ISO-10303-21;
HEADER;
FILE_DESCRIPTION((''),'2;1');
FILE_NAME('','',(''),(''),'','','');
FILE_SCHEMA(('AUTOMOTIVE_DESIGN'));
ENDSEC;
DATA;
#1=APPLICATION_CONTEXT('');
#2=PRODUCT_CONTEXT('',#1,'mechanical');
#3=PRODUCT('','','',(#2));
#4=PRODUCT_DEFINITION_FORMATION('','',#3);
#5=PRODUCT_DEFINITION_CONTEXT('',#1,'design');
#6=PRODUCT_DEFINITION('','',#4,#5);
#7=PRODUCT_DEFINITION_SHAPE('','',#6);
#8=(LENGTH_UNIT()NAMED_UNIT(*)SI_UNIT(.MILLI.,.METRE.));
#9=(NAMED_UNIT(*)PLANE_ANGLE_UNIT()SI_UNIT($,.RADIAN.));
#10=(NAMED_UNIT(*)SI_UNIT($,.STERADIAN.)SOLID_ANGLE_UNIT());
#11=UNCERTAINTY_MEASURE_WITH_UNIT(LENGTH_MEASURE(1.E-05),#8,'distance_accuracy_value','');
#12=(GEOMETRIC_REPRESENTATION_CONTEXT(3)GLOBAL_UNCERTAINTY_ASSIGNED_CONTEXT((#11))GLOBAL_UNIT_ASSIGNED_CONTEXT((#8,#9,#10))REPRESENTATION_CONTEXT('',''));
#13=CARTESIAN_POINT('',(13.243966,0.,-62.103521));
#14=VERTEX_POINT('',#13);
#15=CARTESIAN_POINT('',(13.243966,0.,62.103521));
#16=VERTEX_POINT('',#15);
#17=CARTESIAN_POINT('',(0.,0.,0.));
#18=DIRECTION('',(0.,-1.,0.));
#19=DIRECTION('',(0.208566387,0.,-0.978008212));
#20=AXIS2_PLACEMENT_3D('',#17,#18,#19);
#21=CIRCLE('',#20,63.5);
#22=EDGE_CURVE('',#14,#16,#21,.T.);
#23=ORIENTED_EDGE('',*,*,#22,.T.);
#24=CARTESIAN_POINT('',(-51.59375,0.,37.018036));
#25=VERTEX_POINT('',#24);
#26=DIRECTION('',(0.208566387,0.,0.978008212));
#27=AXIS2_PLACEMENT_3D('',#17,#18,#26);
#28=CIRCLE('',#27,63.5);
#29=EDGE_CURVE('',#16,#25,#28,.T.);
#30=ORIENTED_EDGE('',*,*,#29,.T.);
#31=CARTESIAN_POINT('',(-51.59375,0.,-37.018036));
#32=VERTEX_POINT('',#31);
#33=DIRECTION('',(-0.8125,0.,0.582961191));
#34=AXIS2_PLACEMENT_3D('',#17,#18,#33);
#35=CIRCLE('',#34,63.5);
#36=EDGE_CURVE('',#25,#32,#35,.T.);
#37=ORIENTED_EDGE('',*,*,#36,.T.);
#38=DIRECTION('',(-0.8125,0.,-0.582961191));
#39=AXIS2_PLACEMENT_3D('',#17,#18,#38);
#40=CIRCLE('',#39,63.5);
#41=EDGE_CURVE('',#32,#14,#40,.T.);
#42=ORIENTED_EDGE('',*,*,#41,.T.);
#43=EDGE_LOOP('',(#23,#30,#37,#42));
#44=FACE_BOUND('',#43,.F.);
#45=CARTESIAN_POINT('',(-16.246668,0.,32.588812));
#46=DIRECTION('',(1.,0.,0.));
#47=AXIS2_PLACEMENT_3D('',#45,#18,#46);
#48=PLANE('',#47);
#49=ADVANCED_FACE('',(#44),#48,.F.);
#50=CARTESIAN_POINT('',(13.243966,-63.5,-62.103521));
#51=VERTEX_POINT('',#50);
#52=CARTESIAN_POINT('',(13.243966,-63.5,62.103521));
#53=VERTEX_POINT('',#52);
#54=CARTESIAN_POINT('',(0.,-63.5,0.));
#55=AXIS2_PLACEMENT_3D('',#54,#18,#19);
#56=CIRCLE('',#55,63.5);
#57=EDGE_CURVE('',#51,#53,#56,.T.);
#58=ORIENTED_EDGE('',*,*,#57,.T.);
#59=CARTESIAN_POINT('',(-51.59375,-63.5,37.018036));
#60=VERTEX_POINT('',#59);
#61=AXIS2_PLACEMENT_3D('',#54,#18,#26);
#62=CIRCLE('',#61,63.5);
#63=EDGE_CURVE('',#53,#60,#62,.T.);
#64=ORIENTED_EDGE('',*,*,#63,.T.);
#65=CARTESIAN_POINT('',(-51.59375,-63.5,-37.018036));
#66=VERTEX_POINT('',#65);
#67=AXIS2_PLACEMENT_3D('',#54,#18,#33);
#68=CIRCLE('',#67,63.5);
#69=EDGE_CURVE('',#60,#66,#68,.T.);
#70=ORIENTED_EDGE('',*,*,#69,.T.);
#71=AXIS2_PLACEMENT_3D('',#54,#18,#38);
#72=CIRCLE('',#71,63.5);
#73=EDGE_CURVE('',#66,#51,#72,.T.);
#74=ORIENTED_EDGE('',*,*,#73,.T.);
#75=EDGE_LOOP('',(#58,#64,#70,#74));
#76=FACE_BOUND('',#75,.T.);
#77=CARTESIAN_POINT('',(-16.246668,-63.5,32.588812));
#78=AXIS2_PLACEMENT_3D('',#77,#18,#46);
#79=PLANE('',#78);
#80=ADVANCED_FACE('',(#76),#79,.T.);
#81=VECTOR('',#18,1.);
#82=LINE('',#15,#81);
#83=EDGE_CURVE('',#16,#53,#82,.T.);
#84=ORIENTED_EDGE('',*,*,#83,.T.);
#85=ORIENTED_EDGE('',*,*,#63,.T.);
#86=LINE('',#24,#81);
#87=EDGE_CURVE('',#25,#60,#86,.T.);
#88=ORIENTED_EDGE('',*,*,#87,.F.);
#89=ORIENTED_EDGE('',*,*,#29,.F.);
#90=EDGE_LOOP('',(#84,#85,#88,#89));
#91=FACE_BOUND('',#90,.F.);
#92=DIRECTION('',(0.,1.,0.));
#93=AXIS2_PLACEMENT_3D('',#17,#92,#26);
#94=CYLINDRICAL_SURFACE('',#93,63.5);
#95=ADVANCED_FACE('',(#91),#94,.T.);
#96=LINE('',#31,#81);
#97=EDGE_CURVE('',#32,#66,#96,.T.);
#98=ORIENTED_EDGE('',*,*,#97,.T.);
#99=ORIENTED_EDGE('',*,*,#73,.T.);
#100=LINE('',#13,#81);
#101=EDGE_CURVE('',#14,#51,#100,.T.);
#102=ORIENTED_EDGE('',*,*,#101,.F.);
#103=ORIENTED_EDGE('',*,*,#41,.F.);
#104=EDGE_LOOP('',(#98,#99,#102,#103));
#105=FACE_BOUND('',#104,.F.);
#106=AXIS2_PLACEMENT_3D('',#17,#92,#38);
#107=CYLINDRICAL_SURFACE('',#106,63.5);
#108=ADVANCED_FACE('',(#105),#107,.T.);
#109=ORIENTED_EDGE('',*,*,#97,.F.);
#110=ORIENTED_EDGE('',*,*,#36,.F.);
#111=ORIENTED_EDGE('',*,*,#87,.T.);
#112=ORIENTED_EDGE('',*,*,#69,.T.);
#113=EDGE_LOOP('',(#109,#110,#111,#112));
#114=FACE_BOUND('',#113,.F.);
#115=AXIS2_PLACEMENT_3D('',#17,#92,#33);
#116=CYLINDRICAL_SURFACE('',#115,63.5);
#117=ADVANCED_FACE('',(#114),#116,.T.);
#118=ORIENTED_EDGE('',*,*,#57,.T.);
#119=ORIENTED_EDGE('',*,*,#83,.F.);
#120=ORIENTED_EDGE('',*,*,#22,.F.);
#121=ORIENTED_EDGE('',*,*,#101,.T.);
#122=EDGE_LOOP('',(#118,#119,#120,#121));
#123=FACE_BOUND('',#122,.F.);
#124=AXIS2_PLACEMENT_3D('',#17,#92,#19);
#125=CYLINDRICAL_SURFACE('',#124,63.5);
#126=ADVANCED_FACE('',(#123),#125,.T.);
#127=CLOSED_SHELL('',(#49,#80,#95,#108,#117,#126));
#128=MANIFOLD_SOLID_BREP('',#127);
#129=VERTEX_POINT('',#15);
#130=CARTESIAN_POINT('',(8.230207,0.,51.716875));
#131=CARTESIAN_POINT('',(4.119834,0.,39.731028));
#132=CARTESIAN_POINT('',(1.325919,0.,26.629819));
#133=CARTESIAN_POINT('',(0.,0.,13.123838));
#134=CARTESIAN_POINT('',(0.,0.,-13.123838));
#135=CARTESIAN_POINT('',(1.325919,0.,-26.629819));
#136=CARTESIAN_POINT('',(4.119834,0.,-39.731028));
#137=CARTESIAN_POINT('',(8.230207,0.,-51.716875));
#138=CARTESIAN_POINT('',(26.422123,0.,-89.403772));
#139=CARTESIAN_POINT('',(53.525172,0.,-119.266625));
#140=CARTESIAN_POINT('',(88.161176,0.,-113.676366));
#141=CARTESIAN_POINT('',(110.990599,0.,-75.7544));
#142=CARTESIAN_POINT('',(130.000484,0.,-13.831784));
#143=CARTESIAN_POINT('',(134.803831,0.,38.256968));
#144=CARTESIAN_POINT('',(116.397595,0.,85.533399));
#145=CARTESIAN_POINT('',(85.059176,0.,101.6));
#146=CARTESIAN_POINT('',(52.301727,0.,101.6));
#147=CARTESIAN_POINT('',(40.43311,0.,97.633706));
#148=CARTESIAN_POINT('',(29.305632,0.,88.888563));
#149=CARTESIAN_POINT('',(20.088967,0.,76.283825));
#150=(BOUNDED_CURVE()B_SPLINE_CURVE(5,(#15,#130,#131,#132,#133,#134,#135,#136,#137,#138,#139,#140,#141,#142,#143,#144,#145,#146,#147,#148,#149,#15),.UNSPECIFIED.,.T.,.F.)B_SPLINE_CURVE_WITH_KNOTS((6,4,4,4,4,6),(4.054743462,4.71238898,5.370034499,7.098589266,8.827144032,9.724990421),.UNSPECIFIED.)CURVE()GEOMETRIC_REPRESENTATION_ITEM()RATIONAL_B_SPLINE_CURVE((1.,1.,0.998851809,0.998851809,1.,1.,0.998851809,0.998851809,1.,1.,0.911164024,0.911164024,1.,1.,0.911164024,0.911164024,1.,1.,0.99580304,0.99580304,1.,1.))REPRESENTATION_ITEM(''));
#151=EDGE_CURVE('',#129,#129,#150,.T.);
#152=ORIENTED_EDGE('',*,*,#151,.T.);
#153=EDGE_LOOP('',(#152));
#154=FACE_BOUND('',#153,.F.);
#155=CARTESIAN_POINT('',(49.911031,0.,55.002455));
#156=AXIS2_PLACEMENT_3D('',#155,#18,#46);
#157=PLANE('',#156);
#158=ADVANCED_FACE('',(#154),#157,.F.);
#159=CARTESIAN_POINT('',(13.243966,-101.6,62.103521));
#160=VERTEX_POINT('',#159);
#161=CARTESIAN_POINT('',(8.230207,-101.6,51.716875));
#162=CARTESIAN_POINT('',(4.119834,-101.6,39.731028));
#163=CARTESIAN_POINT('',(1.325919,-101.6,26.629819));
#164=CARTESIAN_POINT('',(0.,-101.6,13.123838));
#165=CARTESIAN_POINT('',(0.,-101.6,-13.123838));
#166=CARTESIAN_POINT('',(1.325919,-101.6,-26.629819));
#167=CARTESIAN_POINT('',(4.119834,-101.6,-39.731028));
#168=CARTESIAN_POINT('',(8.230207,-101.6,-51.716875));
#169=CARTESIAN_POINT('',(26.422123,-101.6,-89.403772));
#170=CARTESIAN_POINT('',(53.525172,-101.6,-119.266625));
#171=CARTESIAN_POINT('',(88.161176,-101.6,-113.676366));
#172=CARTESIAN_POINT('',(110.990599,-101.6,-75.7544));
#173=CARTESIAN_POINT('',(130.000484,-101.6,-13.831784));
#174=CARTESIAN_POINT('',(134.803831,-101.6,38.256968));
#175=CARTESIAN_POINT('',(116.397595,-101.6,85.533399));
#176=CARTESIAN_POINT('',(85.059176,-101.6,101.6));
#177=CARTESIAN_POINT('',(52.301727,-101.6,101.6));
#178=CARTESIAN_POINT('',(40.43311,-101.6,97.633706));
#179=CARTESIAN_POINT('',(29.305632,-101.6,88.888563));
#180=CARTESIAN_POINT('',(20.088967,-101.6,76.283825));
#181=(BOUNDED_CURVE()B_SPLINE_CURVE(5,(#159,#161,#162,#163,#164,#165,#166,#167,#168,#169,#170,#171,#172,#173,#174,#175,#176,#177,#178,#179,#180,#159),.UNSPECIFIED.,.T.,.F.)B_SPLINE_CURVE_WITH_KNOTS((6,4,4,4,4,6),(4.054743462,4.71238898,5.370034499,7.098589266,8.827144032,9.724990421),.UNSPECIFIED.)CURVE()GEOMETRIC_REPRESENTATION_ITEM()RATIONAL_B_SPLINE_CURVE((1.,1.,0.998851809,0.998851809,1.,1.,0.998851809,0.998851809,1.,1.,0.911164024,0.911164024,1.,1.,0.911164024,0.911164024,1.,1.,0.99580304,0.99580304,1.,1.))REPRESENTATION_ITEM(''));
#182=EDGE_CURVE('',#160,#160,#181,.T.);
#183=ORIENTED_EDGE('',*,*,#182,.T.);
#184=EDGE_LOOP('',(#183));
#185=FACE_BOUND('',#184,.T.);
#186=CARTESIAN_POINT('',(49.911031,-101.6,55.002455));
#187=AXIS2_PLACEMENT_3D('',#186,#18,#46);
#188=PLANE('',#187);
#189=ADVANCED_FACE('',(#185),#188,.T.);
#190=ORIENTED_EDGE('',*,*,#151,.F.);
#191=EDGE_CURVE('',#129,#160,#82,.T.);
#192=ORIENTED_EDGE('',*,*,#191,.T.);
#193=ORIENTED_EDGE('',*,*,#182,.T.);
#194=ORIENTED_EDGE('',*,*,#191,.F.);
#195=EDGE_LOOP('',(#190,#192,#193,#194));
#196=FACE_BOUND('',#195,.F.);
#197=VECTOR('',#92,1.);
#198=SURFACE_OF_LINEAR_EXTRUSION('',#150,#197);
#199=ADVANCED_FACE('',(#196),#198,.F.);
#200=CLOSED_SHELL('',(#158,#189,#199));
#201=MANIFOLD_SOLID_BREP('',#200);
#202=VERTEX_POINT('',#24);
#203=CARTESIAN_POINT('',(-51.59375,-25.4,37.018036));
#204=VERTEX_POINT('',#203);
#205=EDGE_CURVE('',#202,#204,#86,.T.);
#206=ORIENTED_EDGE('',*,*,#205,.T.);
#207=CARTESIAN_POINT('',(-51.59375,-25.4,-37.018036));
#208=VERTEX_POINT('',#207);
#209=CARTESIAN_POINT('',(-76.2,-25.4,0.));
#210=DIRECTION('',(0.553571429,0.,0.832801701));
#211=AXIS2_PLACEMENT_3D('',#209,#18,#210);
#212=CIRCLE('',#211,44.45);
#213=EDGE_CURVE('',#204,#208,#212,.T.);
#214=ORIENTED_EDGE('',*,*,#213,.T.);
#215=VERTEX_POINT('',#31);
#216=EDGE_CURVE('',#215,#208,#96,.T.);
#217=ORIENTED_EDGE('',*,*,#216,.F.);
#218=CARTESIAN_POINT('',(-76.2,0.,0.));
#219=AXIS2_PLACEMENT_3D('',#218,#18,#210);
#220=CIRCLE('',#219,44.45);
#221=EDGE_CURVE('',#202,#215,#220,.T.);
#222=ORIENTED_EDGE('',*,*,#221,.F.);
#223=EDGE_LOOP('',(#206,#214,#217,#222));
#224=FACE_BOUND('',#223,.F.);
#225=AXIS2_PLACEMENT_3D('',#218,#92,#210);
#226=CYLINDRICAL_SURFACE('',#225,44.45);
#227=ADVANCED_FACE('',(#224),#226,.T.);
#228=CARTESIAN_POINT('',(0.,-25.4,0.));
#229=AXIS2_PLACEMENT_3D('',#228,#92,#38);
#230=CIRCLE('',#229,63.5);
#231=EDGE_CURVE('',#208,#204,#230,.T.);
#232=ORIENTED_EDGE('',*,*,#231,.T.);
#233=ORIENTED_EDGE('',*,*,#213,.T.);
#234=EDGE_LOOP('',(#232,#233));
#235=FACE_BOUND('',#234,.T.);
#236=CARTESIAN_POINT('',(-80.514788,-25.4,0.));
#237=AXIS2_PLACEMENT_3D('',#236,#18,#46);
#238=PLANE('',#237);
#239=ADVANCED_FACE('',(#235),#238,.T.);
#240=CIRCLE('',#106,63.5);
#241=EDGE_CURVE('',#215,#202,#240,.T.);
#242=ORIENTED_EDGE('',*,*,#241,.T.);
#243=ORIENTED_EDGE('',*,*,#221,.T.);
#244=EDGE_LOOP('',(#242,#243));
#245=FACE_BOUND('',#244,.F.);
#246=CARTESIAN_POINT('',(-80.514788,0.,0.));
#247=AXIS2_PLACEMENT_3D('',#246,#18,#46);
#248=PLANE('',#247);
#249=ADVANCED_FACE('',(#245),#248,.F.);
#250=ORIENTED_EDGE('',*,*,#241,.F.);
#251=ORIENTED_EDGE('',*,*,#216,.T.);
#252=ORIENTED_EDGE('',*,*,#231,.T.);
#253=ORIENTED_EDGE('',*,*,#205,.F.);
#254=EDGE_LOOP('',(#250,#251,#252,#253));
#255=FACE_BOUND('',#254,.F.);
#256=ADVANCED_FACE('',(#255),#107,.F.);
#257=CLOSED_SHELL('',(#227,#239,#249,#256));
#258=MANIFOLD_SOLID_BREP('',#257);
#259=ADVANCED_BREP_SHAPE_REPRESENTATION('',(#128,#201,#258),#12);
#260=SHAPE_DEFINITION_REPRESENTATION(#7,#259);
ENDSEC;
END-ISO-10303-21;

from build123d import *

# Parameters (mm, degrees)
F1_DEPTH = 25.4
F2_DEPTH = 63.5
F3_DEPTH = 101.6


with BuildPart() as f1:
    # F0 (on Front) → F1 (new body)
    with BuildSketch(Plane.XZ):
        with BuildLine():
            ThreePointArc((-51.59375, -37.0180356169), (-60.4501990278, -19.4428248333), (-63.5, 0))
            ThreePointArc((-63.5, 0), (-60.4501990278, 19.4428248333), (-51.59375, 37.0180356169))
            ThreePointArc((-51.59375, 37.0180356169), (-120.65, 0), (-51.59375, -37.0180356169))
        make_face()
    extrude(amount=F1_DEPTH)


with BuildPart() as f2:
    # F0 (on Front) → F2 (new body)
    with BuildSketch(Plane.XZ):
        with BuildLine():
            Line((-31.75, 0), (0, 0))
            add(Edge.make_bspline(
                [(13.2439655959, 62.1035214404), (0, 34.6669399309), (0, 0)],
                knots=[4.0547434617, 4.0547434617, 4.0547434617, 4.7123889804, 4.7123889804, 4.7123889804], degree=2, weights=[1, 0.9464231645, 1]))
            ThreePointArc((13.2439655959, 62.1035214404), (-22.9128106244, 59.2220660674), (-51.59375, 37.0180356169))
            ThreePointArc((-51.59375, 37.0180356169), (-37.0237934934, 21.0006510316), (-31.75, 0))
        make_face()
        with BuildLine():
            Line((-63.5, 0), (-31.75, 0))
            ThreePointArc((-31.75, 0), (-37.0237934934, 21.0006510316), (-51.59375, 37.0180356169))
            ThreePointArc((-51.59375, 37.0180356169), (-60.4501990278, 19.4428248333), (-63.5, 0))
        make_face()
        with BuildLine():
            add(Edge.make_bspline(
                [(0, 0), (0, -34.6669399309), (13.2439655959, -62.1035214404)],
                knots=[4.7123889804, 4.7123889804, 4.7123889804, 5.370034499, 5.370034499, 5.370034499], degree=2, weights=[1, 0.9464231645, 1]))
            Line((0, 0), (-31.75, 0))
            ThreePointArc((-31.75, 0), (-37.0237934934, -21.0006510316), (-51.59375, -37.0180356169))
            ThreePointArc((-51.59375, -37.0180356169), (-22.9128106244, -59.2220660674), (13.2439655959, -62.1035214404))
        make_face()
        with BuildLine():
            add(Edge.make_bspline(
                [(13.2439655959, 62.1035214404), (0, 34.6669399309), (0, 0)],
                knots=[4.0547434617, 4.0547434617, 4.0547434617, 4.7123889804, 4.7123889804, 4.7123889804], degree=2, weights=[1, 0.9464231645, 1]))
            add(Edge.make_bspline(
                [(0, 0), (0, -34.6669399309), (13.2439655959, -62.1035214404)],
                knots=[4.7123889804, 4.7123889804, 4.7123889804, 5.370034499, 5.370034499, 5.370034499], degree=2, weights=[1, 0.9464231645, 1]))
            ThreePointArc((13.2439655959, -62.1035214404), (49.3621404284, -39.9453262889), (63.5, 0))
            ThreePointArc((63.5, 0), (49.3621404284, 39.9453262889), (13.2439655959, 62.1035214404))
        make_face()
        with BuildLine():
            ThreePointArc((-51.59375, -37.0180356169), (-37.0237934934, -21.0006510316), (-31.75, 0))
            Line((-31.75, 0), (-63.5, 0))
            ThreePointArc((-63.5, 0), (-60.4501990278, -19.4428248333), (-51.59375, -37.0180356169))
        make_face()
    extrude(amount=F2_DEPTH)


with BuildPart() as f3:
    # F0 (on Front) → F3 (new body)
    with BuildSketch(Plane.XZ):
        with BuildLine():
            add(Edge.make_bspline(
                [(63.5, 101.6), (32.3093875408, 101.6), (13.2439655959, 62.1035214404)],
                knots=[3.1415926536, 3.1415926536, 3.1415926536, 4.0547434617, 4.0547434617, 4.0547434617], degree=2, weights=[1, 0.8975675831, 1]))
            ThreePointArc((13.2439655959, 62.1035214404), (49.3621404284, 39.9453262889), (63.5, 0))
            Line((63.5, 0), (63.5, 101.6))
        make_face()
        with BuildLine():
            add(Edge.make_bspline(
                [(13.2439655959, 62.1035214404), (0, 34.6669399309), (0, 0)],
                knots=[4.0547434617, 4.0547434617, 4.0547434617, 4.7123889804, 4.7123889804, 4.7123889804], degree=2, weights=[1, 0.9464231645, 1]))
            add(Edge.make_bspline(
                [(0, 0), (0, -34.6669399309), (13.2439655959, -62.1035214404)],
                knots=[4.7123889804, 4.7123889804, 4.7123889804, 5.370034499, 5.370034499, 5.370034499], degree=2, weights=[1, 0.9464231645, 1]))
            ThreePointArc((13.2439655959, -62.1035214404), (49.3621404284, -39.9453262889), (63.5, 0))
            ThreePointArc((63.5, 0), (49.3621404284, 39.9453262889), (13.2439655959, 62.1035214404))
        make_face()
        with BuildLine():
            ThreePointArc((63.5, 0), (49.3621404284, -39.9453262889), (13.2439655959, -62.1035214404))
            add(Edge.make_bspline(
                [(13.2439655959, -62.1035214404), (75.5537087854, -191.1861844445), (120.4955415237, -44.7930922222), (165.437374262, 101.6), (63.5, 101.6)],
                knots=[5.370034499, 5.370034499, 5.370034499, 7.3974062299, 7.3974062299, 9.4247779608, 9.4247779608, 9.4247779608], degree=2, weights=[1, 0.5287358074, 1, 0.5287358074, 1]))
            Line((63.5, 101.6), (63.5, 0))
        make_face()
    extrude(amount=F3_DEPTH)


solid = Compound([f1.part, f2.part, f3.part])
